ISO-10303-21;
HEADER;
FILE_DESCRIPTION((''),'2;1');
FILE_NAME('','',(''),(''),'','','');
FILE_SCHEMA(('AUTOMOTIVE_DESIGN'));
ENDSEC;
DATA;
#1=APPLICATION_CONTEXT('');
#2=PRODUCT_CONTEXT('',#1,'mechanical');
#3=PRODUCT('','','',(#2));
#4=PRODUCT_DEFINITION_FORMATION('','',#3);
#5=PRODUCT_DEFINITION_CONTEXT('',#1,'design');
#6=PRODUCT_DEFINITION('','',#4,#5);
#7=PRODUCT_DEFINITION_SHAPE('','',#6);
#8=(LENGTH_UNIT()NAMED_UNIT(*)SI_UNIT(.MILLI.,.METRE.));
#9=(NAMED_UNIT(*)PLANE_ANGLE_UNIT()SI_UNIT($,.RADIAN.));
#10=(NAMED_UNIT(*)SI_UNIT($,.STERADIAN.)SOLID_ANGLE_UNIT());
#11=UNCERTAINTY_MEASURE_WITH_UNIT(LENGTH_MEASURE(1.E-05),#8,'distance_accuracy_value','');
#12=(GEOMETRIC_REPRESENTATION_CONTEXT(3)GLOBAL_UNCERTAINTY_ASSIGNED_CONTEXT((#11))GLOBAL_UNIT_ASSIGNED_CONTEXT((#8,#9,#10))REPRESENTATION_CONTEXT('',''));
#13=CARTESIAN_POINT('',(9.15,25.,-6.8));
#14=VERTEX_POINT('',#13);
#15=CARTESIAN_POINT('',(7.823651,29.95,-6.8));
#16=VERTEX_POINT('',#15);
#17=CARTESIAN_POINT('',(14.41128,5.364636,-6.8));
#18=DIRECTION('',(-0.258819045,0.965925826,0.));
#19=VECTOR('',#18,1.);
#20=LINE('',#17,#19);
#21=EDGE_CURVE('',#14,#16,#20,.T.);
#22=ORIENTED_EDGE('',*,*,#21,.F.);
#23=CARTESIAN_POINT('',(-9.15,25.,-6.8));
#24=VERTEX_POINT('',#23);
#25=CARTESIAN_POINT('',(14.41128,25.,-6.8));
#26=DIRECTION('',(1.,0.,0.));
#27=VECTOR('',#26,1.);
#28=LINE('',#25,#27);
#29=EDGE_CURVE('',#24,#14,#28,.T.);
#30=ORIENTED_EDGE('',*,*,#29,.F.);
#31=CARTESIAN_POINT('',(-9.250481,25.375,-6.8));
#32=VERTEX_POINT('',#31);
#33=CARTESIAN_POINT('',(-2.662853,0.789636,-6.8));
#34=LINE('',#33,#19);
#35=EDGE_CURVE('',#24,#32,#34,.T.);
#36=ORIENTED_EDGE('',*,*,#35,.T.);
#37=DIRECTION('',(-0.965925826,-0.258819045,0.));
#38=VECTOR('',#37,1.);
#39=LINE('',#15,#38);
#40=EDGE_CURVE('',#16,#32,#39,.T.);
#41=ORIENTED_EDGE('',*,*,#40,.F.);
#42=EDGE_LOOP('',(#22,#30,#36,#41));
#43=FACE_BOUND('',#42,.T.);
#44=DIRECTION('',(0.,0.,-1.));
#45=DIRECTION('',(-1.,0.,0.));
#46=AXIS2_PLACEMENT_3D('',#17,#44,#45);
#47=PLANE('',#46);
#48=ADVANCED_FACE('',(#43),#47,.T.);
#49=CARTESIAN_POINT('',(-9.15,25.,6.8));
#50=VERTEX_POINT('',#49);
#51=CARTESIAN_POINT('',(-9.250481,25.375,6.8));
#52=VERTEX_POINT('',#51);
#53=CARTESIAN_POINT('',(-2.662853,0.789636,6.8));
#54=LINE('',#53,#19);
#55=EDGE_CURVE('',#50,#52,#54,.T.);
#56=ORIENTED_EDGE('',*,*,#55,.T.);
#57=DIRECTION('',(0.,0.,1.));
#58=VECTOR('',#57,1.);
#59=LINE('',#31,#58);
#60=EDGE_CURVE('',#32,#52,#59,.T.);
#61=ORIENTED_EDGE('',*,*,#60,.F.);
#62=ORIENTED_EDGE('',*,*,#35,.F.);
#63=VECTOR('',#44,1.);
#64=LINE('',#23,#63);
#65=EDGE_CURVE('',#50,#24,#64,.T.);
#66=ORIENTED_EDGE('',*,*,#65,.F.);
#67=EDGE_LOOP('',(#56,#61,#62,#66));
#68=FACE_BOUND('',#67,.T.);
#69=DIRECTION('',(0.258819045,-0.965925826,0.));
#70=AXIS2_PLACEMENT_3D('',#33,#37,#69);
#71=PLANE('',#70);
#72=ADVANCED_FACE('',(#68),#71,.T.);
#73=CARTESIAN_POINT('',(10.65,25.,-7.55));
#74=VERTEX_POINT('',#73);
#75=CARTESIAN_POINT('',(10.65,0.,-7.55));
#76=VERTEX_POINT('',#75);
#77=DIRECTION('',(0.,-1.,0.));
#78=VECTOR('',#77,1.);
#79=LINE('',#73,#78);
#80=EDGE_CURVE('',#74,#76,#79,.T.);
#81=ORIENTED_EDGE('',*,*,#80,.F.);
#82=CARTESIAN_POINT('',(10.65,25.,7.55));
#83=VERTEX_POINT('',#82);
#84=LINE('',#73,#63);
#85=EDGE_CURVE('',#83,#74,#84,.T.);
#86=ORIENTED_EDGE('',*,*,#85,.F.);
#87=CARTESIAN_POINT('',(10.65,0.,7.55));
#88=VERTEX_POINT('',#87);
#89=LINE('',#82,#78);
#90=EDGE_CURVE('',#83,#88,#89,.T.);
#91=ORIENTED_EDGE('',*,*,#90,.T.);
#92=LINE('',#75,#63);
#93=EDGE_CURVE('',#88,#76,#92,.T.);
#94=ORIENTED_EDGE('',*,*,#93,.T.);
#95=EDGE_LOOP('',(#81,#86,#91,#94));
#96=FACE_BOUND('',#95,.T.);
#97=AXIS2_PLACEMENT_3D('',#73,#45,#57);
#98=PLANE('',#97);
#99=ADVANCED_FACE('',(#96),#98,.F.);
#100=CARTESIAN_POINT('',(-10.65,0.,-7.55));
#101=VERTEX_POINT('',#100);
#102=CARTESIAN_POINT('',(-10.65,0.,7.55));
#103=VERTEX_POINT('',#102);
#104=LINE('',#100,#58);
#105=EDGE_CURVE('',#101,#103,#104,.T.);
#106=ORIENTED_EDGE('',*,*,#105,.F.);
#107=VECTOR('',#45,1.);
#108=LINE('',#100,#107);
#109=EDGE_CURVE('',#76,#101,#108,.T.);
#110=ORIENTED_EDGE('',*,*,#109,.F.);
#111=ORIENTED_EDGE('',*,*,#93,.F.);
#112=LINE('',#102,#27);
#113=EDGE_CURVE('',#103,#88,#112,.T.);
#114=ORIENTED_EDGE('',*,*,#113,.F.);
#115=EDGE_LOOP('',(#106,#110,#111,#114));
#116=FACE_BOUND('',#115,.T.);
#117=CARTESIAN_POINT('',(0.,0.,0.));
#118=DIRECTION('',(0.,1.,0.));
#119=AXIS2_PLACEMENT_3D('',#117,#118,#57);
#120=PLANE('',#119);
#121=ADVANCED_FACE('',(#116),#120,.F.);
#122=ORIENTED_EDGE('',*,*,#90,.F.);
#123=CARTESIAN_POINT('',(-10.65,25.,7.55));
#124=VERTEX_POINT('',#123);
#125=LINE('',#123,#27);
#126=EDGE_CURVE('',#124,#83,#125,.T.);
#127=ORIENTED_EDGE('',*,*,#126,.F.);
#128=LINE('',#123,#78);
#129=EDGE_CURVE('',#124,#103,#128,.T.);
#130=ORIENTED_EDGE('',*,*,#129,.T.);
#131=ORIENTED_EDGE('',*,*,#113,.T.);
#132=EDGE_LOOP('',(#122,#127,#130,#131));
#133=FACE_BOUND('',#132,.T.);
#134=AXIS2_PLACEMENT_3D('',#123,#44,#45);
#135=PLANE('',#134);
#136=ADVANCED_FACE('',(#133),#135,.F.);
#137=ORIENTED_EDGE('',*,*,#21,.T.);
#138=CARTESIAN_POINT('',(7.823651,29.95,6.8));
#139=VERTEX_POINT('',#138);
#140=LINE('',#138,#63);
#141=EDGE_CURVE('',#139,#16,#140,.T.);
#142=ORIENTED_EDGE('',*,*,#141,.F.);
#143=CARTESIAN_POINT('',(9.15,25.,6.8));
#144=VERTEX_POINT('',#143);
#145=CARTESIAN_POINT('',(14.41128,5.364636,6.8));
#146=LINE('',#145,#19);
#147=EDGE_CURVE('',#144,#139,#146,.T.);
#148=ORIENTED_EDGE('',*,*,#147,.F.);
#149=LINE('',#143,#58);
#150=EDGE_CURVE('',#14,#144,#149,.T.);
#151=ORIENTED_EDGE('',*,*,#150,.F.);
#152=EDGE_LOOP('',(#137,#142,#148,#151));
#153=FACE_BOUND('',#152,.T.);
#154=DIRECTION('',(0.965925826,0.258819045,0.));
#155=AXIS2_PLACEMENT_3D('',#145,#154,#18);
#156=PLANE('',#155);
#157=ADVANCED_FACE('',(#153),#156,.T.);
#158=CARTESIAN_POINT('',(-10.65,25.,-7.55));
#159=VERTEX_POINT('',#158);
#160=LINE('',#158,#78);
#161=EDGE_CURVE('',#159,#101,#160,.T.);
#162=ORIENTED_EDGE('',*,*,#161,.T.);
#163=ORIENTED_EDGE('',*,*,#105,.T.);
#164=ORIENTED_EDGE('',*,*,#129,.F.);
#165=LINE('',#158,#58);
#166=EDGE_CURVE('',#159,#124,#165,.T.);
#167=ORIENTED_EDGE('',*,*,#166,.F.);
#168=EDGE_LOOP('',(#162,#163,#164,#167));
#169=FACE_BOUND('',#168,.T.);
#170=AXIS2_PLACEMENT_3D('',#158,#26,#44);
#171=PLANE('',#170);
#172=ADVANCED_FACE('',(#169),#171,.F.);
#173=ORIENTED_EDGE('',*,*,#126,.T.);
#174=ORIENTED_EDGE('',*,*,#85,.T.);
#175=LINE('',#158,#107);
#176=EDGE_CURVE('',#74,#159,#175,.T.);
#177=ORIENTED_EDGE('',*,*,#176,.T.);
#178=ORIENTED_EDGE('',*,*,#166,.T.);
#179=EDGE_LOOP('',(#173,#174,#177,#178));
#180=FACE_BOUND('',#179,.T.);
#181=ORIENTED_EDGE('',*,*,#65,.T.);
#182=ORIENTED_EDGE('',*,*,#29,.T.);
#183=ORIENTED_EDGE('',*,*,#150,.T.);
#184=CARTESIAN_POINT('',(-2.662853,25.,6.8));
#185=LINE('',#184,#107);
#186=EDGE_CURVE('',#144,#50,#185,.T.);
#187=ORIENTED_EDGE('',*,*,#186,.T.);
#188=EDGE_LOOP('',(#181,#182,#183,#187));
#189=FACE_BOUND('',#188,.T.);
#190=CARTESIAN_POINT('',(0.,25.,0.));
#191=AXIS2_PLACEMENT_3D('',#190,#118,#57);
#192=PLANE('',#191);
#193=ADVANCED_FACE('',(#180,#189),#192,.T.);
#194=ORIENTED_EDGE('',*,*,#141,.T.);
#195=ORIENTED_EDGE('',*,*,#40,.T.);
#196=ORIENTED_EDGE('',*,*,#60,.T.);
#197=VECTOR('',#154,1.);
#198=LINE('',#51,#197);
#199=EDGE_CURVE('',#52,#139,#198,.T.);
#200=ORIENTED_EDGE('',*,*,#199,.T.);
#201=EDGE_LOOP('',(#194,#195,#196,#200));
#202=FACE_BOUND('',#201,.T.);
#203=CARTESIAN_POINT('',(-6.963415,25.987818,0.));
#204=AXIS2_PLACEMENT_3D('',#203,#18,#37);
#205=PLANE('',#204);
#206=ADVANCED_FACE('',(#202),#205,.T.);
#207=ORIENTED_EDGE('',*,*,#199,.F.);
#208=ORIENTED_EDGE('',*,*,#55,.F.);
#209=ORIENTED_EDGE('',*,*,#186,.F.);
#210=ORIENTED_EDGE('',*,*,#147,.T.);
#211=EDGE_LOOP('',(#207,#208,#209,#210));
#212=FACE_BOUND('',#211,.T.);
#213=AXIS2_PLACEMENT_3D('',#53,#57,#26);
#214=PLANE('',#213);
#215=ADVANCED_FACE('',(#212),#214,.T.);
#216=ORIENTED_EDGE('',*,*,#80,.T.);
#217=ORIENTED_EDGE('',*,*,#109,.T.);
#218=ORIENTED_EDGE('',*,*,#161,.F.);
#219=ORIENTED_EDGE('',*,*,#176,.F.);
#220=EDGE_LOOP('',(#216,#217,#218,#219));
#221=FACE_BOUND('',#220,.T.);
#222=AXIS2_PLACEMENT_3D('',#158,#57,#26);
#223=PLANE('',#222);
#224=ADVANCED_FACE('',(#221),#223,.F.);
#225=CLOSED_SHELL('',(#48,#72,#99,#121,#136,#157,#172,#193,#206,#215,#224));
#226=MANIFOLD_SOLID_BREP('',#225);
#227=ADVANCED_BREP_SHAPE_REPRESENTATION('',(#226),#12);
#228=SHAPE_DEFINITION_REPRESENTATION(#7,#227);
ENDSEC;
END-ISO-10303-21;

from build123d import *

# Parameters (mm, degrees)
SKETCH1_W           = 21.3
SKETCH1_H           = 15.1
BOSS_EXTRUDE1_DEPTH = 25
BOSS_EXTRUDE2_REACH = 34.289
SKETCH4_W           = 13.6
SKETCH4_H           = 17.676442621


with BuildPart() as part:
    # Sketch1 → Boss-Extrude1 (new body)
    with BuildSketch(Plane(origin=(0, 0, 0), x_dir=(1, 0, 0), z_dir=(0, 1, 0))):
        Rectangle(SKETCH1_W, SKETCH1_H)
    extrude(amount=BOSS_EXTRUDE1_DEPTH)

    # Boss-Extrude2: up to this plane
    boss_extrude2_end = Plane(origin=(0, 25, 0), z_dir=(0, 1, 0))
    # Sketch4 → Boss-Extrude2 (add, up to the surface)
    with BuildSketch(Plane(origin=(-6.963414725, 25.987817547, 0), x_dir=(0, 0, 1), z_dir=(-0.25881904510252474, 0.9659258262890673, 0)), mode=Mode.PRIVATE) as boss_extrude2_sk1:
        with Locations((0, 6.470476128)):
            Rectangle(SKETCH4_W, SKETCH4_H)
    boss_extrude2_tool1 = split(extrude(boss_extrude2_sk1.sketch, amount=-BOSS_EXTRUDE2_REACH, mode=Mode.PRIVATE), bisect_by=boss_extrude2_end, keep=Keep.BOTH, mode=Mode.PRIVATE)
    add(boss_extrude2_tool1.solids().sort_by_distance((-0.713415, 27.6625, 0))[0])


solid = part.part
